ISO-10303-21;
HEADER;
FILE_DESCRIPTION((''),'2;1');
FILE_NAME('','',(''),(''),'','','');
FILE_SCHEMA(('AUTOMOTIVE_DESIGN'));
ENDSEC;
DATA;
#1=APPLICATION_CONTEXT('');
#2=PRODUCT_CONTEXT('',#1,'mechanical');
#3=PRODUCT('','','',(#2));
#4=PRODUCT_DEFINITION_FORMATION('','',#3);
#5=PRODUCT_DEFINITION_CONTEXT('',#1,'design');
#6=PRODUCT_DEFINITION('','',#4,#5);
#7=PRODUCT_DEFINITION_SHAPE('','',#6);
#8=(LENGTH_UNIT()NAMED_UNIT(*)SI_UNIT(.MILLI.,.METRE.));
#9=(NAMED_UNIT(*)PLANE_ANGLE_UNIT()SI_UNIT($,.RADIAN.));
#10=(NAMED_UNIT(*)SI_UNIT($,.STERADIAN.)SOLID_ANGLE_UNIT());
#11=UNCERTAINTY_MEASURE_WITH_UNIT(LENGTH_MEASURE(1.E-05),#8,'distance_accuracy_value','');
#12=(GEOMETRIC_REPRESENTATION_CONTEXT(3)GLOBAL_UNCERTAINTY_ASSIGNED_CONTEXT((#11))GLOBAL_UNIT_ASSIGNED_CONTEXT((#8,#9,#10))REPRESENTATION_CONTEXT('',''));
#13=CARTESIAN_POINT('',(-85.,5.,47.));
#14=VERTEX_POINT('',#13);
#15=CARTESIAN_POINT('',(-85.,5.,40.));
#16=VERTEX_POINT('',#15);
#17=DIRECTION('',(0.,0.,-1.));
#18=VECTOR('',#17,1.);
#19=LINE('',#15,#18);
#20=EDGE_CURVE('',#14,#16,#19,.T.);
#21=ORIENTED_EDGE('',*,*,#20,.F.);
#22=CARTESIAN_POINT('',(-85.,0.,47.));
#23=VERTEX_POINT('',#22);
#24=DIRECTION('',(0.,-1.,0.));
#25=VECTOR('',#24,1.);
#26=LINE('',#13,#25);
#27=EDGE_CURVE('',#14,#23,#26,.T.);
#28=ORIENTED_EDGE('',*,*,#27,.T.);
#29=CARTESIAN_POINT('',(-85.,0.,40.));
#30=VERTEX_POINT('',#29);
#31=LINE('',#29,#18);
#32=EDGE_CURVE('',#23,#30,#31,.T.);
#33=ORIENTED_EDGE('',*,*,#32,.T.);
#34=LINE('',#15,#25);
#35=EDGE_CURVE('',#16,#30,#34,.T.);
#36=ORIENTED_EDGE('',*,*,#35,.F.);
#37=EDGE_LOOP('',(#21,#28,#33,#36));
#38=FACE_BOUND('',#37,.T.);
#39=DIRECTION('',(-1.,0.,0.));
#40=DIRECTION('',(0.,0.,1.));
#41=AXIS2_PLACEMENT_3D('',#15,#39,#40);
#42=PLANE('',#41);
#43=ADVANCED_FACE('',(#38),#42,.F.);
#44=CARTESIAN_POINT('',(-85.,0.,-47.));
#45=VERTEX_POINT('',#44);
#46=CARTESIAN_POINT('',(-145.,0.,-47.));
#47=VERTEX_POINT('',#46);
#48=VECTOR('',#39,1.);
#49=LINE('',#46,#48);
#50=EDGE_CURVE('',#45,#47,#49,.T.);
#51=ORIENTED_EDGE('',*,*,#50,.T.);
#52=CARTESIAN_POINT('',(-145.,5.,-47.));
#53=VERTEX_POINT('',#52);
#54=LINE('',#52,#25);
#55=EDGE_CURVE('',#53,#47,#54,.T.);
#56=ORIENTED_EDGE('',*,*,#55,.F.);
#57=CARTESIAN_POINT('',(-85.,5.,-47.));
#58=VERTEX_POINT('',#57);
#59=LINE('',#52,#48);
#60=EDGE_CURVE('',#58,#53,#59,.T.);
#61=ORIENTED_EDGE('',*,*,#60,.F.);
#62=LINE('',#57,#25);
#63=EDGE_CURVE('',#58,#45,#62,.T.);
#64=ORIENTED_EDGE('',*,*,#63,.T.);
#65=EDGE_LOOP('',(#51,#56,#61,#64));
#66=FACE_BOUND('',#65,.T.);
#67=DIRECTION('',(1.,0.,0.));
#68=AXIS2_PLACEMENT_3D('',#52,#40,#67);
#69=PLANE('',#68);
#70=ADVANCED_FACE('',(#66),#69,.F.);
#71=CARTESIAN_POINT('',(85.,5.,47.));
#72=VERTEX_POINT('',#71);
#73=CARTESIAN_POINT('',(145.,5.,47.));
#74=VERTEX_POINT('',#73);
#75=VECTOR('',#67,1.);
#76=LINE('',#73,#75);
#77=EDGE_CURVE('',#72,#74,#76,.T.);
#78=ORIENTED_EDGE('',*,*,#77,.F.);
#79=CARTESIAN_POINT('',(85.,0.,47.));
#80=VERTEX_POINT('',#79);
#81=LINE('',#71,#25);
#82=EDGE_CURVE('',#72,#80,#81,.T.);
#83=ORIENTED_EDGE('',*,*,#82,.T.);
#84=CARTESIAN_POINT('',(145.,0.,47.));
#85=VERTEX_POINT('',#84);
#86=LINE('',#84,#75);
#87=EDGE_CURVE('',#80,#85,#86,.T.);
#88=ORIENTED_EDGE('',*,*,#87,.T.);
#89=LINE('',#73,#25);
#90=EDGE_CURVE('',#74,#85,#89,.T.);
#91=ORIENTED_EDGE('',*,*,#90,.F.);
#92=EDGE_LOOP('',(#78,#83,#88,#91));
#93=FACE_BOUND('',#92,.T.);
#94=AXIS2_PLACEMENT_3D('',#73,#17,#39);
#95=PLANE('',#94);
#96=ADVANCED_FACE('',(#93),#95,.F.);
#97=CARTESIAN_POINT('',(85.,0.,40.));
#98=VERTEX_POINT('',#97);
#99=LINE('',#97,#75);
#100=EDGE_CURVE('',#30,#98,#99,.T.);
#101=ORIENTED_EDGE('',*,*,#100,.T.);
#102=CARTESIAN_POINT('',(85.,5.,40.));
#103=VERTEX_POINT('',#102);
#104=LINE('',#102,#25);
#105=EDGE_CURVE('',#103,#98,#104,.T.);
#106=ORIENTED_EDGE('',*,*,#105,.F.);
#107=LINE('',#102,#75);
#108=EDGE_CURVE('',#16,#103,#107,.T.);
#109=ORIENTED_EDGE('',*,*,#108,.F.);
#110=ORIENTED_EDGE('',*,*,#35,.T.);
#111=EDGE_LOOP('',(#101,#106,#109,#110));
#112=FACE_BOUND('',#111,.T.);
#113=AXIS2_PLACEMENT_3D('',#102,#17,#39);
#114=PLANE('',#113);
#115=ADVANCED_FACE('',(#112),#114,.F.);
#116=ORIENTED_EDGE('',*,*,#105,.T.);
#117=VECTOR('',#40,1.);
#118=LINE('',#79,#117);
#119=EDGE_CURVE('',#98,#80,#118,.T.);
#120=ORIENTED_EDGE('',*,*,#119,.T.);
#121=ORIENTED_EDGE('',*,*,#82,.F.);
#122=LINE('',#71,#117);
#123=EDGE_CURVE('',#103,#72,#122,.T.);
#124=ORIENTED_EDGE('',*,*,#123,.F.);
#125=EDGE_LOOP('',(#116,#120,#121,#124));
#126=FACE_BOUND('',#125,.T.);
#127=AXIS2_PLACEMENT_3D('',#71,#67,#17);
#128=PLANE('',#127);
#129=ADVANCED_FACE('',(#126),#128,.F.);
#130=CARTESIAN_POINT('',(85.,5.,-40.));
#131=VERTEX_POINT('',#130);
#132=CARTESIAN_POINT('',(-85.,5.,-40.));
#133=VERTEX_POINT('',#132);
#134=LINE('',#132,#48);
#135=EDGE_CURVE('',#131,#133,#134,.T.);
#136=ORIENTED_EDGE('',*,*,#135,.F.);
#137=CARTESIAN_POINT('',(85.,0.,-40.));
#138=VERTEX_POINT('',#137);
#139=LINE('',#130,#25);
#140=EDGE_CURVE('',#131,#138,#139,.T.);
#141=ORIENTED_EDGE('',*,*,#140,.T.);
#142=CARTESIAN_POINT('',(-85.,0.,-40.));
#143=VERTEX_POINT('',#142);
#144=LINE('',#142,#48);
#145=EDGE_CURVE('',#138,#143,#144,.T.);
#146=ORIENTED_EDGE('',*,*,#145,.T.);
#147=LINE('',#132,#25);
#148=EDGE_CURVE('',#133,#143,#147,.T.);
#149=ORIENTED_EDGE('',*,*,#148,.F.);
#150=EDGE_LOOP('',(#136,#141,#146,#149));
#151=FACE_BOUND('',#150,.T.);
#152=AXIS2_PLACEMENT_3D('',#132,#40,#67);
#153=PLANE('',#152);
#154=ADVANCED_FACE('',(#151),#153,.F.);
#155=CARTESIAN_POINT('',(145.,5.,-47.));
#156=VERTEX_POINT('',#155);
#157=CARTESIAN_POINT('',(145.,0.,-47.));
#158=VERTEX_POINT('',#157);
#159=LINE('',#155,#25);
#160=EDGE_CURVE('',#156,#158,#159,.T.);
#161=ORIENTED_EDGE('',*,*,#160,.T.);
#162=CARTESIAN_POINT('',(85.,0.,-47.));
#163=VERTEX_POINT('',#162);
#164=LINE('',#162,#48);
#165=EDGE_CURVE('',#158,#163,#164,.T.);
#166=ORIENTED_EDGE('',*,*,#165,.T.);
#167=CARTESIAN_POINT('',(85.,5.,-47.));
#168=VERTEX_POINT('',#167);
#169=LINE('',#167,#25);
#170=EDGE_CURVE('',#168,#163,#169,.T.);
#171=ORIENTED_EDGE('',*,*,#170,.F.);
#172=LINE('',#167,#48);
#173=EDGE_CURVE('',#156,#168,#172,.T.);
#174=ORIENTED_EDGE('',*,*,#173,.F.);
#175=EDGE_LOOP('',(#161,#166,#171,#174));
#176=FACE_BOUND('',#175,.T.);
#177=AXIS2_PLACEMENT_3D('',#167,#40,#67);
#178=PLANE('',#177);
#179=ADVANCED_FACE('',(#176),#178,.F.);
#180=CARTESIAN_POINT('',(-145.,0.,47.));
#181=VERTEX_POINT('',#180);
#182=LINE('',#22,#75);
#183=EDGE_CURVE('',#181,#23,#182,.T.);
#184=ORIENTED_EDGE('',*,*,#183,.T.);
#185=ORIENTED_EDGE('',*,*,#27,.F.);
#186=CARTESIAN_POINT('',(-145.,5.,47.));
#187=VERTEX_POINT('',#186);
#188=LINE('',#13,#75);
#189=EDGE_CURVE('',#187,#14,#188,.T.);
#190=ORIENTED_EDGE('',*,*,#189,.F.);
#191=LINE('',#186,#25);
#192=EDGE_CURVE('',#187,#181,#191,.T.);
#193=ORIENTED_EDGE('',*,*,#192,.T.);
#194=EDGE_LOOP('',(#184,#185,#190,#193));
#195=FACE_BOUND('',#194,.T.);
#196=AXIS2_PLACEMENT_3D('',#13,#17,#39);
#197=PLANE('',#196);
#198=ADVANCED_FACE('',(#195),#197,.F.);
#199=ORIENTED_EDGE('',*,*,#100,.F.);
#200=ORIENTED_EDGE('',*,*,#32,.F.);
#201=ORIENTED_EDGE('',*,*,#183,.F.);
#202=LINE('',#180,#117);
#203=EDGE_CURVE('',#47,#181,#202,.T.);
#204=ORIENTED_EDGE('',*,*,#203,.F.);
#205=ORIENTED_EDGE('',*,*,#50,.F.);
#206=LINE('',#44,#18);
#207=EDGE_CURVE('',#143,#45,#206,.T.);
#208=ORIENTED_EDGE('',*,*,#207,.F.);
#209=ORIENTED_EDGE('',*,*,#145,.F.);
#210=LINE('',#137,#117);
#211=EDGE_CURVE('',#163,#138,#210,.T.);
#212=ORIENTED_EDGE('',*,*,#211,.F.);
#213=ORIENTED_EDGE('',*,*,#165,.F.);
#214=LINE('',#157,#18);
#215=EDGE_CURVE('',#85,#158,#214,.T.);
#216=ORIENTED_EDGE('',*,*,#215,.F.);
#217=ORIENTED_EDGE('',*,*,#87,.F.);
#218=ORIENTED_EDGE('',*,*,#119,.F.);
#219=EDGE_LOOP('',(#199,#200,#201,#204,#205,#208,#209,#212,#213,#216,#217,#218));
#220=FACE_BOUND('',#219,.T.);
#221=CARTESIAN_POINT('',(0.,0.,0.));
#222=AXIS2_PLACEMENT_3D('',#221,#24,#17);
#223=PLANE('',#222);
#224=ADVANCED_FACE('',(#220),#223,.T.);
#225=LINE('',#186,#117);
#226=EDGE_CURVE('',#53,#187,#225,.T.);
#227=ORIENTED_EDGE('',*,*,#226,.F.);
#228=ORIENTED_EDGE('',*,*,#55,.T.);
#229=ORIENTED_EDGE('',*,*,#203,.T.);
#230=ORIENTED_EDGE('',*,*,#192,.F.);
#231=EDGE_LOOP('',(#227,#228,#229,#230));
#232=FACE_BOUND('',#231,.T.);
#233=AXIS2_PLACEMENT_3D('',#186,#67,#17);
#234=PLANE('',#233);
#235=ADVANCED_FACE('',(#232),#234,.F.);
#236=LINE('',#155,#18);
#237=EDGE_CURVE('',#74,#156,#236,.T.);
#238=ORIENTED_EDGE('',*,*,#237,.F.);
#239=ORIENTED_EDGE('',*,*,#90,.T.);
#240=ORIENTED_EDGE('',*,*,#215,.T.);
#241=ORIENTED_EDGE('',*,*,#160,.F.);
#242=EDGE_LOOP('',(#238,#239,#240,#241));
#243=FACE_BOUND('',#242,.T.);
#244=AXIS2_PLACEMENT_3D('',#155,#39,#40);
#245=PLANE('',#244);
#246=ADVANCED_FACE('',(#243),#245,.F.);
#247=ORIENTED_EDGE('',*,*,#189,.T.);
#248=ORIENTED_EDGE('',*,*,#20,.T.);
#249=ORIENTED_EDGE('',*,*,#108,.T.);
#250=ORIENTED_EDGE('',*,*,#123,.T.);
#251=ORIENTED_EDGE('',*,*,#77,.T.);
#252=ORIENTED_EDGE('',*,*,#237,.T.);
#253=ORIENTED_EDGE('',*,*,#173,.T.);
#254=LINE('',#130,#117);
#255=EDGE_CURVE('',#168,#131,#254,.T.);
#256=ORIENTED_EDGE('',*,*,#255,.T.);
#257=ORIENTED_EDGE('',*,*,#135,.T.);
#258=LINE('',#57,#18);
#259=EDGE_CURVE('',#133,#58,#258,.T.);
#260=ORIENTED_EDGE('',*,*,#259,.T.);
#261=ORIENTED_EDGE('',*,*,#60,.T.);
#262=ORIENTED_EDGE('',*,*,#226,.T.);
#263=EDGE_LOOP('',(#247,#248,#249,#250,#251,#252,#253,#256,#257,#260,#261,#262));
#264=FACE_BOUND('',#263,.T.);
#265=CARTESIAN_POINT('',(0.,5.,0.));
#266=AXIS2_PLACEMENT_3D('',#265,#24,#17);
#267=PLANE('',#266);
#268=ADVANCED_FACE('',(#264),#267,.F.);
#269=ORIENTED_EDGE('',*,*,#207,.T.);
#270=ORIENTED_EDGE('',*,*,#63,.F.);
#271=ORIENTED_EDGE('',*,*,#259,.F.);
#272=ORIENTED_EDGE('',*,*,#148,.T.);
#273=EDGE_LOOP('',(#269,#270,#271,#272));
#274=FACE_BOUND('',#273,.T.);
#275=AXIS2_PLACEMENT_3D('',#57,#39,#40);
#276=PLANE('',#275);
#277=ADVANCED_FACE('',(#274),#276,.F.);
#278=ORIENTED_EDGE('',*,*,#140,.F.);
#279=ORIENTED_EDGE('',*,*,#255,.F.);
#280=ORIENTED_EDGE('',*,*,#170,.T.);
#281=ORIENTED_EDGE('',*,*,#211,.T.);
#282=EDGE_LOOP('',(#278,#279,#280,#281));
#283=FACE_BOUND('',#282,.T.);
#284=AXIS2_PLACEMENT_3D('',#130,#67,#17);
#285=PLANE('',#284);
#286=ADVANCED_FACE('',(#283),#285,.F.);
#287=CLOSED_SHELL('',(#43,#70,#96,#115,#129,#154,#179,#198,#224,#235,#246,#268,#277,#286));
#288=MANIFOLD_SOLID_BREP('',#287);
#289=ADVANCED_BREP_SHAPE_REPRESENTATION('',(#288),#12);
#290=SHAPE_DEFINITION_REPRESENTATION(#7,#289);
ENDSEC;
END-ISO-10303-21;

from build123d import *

# Parameters (mm, degrees)
BOSS_EXTRUDE1_DEPTH = 5


with BuildPart() as part:
    # Sketch1 → Boss-Extrude1 (new body)
    with BuildSketch(Plane(origin=(0, 0, 0), x_dir=(1, 0, 0), z_dir=(0, 1, 0))):
        Polygon((-145, 47), (-85, 47), (-85, 40), (85, 40), (85, 47), (145, 47), (145, -47), (85, -47), (85, -40), (-85, -40), (-85, -47), (-145, -47), align=None)
    extrude(amount=BOSS_EXTRUDE1_DEPTH)


solid = part.part
